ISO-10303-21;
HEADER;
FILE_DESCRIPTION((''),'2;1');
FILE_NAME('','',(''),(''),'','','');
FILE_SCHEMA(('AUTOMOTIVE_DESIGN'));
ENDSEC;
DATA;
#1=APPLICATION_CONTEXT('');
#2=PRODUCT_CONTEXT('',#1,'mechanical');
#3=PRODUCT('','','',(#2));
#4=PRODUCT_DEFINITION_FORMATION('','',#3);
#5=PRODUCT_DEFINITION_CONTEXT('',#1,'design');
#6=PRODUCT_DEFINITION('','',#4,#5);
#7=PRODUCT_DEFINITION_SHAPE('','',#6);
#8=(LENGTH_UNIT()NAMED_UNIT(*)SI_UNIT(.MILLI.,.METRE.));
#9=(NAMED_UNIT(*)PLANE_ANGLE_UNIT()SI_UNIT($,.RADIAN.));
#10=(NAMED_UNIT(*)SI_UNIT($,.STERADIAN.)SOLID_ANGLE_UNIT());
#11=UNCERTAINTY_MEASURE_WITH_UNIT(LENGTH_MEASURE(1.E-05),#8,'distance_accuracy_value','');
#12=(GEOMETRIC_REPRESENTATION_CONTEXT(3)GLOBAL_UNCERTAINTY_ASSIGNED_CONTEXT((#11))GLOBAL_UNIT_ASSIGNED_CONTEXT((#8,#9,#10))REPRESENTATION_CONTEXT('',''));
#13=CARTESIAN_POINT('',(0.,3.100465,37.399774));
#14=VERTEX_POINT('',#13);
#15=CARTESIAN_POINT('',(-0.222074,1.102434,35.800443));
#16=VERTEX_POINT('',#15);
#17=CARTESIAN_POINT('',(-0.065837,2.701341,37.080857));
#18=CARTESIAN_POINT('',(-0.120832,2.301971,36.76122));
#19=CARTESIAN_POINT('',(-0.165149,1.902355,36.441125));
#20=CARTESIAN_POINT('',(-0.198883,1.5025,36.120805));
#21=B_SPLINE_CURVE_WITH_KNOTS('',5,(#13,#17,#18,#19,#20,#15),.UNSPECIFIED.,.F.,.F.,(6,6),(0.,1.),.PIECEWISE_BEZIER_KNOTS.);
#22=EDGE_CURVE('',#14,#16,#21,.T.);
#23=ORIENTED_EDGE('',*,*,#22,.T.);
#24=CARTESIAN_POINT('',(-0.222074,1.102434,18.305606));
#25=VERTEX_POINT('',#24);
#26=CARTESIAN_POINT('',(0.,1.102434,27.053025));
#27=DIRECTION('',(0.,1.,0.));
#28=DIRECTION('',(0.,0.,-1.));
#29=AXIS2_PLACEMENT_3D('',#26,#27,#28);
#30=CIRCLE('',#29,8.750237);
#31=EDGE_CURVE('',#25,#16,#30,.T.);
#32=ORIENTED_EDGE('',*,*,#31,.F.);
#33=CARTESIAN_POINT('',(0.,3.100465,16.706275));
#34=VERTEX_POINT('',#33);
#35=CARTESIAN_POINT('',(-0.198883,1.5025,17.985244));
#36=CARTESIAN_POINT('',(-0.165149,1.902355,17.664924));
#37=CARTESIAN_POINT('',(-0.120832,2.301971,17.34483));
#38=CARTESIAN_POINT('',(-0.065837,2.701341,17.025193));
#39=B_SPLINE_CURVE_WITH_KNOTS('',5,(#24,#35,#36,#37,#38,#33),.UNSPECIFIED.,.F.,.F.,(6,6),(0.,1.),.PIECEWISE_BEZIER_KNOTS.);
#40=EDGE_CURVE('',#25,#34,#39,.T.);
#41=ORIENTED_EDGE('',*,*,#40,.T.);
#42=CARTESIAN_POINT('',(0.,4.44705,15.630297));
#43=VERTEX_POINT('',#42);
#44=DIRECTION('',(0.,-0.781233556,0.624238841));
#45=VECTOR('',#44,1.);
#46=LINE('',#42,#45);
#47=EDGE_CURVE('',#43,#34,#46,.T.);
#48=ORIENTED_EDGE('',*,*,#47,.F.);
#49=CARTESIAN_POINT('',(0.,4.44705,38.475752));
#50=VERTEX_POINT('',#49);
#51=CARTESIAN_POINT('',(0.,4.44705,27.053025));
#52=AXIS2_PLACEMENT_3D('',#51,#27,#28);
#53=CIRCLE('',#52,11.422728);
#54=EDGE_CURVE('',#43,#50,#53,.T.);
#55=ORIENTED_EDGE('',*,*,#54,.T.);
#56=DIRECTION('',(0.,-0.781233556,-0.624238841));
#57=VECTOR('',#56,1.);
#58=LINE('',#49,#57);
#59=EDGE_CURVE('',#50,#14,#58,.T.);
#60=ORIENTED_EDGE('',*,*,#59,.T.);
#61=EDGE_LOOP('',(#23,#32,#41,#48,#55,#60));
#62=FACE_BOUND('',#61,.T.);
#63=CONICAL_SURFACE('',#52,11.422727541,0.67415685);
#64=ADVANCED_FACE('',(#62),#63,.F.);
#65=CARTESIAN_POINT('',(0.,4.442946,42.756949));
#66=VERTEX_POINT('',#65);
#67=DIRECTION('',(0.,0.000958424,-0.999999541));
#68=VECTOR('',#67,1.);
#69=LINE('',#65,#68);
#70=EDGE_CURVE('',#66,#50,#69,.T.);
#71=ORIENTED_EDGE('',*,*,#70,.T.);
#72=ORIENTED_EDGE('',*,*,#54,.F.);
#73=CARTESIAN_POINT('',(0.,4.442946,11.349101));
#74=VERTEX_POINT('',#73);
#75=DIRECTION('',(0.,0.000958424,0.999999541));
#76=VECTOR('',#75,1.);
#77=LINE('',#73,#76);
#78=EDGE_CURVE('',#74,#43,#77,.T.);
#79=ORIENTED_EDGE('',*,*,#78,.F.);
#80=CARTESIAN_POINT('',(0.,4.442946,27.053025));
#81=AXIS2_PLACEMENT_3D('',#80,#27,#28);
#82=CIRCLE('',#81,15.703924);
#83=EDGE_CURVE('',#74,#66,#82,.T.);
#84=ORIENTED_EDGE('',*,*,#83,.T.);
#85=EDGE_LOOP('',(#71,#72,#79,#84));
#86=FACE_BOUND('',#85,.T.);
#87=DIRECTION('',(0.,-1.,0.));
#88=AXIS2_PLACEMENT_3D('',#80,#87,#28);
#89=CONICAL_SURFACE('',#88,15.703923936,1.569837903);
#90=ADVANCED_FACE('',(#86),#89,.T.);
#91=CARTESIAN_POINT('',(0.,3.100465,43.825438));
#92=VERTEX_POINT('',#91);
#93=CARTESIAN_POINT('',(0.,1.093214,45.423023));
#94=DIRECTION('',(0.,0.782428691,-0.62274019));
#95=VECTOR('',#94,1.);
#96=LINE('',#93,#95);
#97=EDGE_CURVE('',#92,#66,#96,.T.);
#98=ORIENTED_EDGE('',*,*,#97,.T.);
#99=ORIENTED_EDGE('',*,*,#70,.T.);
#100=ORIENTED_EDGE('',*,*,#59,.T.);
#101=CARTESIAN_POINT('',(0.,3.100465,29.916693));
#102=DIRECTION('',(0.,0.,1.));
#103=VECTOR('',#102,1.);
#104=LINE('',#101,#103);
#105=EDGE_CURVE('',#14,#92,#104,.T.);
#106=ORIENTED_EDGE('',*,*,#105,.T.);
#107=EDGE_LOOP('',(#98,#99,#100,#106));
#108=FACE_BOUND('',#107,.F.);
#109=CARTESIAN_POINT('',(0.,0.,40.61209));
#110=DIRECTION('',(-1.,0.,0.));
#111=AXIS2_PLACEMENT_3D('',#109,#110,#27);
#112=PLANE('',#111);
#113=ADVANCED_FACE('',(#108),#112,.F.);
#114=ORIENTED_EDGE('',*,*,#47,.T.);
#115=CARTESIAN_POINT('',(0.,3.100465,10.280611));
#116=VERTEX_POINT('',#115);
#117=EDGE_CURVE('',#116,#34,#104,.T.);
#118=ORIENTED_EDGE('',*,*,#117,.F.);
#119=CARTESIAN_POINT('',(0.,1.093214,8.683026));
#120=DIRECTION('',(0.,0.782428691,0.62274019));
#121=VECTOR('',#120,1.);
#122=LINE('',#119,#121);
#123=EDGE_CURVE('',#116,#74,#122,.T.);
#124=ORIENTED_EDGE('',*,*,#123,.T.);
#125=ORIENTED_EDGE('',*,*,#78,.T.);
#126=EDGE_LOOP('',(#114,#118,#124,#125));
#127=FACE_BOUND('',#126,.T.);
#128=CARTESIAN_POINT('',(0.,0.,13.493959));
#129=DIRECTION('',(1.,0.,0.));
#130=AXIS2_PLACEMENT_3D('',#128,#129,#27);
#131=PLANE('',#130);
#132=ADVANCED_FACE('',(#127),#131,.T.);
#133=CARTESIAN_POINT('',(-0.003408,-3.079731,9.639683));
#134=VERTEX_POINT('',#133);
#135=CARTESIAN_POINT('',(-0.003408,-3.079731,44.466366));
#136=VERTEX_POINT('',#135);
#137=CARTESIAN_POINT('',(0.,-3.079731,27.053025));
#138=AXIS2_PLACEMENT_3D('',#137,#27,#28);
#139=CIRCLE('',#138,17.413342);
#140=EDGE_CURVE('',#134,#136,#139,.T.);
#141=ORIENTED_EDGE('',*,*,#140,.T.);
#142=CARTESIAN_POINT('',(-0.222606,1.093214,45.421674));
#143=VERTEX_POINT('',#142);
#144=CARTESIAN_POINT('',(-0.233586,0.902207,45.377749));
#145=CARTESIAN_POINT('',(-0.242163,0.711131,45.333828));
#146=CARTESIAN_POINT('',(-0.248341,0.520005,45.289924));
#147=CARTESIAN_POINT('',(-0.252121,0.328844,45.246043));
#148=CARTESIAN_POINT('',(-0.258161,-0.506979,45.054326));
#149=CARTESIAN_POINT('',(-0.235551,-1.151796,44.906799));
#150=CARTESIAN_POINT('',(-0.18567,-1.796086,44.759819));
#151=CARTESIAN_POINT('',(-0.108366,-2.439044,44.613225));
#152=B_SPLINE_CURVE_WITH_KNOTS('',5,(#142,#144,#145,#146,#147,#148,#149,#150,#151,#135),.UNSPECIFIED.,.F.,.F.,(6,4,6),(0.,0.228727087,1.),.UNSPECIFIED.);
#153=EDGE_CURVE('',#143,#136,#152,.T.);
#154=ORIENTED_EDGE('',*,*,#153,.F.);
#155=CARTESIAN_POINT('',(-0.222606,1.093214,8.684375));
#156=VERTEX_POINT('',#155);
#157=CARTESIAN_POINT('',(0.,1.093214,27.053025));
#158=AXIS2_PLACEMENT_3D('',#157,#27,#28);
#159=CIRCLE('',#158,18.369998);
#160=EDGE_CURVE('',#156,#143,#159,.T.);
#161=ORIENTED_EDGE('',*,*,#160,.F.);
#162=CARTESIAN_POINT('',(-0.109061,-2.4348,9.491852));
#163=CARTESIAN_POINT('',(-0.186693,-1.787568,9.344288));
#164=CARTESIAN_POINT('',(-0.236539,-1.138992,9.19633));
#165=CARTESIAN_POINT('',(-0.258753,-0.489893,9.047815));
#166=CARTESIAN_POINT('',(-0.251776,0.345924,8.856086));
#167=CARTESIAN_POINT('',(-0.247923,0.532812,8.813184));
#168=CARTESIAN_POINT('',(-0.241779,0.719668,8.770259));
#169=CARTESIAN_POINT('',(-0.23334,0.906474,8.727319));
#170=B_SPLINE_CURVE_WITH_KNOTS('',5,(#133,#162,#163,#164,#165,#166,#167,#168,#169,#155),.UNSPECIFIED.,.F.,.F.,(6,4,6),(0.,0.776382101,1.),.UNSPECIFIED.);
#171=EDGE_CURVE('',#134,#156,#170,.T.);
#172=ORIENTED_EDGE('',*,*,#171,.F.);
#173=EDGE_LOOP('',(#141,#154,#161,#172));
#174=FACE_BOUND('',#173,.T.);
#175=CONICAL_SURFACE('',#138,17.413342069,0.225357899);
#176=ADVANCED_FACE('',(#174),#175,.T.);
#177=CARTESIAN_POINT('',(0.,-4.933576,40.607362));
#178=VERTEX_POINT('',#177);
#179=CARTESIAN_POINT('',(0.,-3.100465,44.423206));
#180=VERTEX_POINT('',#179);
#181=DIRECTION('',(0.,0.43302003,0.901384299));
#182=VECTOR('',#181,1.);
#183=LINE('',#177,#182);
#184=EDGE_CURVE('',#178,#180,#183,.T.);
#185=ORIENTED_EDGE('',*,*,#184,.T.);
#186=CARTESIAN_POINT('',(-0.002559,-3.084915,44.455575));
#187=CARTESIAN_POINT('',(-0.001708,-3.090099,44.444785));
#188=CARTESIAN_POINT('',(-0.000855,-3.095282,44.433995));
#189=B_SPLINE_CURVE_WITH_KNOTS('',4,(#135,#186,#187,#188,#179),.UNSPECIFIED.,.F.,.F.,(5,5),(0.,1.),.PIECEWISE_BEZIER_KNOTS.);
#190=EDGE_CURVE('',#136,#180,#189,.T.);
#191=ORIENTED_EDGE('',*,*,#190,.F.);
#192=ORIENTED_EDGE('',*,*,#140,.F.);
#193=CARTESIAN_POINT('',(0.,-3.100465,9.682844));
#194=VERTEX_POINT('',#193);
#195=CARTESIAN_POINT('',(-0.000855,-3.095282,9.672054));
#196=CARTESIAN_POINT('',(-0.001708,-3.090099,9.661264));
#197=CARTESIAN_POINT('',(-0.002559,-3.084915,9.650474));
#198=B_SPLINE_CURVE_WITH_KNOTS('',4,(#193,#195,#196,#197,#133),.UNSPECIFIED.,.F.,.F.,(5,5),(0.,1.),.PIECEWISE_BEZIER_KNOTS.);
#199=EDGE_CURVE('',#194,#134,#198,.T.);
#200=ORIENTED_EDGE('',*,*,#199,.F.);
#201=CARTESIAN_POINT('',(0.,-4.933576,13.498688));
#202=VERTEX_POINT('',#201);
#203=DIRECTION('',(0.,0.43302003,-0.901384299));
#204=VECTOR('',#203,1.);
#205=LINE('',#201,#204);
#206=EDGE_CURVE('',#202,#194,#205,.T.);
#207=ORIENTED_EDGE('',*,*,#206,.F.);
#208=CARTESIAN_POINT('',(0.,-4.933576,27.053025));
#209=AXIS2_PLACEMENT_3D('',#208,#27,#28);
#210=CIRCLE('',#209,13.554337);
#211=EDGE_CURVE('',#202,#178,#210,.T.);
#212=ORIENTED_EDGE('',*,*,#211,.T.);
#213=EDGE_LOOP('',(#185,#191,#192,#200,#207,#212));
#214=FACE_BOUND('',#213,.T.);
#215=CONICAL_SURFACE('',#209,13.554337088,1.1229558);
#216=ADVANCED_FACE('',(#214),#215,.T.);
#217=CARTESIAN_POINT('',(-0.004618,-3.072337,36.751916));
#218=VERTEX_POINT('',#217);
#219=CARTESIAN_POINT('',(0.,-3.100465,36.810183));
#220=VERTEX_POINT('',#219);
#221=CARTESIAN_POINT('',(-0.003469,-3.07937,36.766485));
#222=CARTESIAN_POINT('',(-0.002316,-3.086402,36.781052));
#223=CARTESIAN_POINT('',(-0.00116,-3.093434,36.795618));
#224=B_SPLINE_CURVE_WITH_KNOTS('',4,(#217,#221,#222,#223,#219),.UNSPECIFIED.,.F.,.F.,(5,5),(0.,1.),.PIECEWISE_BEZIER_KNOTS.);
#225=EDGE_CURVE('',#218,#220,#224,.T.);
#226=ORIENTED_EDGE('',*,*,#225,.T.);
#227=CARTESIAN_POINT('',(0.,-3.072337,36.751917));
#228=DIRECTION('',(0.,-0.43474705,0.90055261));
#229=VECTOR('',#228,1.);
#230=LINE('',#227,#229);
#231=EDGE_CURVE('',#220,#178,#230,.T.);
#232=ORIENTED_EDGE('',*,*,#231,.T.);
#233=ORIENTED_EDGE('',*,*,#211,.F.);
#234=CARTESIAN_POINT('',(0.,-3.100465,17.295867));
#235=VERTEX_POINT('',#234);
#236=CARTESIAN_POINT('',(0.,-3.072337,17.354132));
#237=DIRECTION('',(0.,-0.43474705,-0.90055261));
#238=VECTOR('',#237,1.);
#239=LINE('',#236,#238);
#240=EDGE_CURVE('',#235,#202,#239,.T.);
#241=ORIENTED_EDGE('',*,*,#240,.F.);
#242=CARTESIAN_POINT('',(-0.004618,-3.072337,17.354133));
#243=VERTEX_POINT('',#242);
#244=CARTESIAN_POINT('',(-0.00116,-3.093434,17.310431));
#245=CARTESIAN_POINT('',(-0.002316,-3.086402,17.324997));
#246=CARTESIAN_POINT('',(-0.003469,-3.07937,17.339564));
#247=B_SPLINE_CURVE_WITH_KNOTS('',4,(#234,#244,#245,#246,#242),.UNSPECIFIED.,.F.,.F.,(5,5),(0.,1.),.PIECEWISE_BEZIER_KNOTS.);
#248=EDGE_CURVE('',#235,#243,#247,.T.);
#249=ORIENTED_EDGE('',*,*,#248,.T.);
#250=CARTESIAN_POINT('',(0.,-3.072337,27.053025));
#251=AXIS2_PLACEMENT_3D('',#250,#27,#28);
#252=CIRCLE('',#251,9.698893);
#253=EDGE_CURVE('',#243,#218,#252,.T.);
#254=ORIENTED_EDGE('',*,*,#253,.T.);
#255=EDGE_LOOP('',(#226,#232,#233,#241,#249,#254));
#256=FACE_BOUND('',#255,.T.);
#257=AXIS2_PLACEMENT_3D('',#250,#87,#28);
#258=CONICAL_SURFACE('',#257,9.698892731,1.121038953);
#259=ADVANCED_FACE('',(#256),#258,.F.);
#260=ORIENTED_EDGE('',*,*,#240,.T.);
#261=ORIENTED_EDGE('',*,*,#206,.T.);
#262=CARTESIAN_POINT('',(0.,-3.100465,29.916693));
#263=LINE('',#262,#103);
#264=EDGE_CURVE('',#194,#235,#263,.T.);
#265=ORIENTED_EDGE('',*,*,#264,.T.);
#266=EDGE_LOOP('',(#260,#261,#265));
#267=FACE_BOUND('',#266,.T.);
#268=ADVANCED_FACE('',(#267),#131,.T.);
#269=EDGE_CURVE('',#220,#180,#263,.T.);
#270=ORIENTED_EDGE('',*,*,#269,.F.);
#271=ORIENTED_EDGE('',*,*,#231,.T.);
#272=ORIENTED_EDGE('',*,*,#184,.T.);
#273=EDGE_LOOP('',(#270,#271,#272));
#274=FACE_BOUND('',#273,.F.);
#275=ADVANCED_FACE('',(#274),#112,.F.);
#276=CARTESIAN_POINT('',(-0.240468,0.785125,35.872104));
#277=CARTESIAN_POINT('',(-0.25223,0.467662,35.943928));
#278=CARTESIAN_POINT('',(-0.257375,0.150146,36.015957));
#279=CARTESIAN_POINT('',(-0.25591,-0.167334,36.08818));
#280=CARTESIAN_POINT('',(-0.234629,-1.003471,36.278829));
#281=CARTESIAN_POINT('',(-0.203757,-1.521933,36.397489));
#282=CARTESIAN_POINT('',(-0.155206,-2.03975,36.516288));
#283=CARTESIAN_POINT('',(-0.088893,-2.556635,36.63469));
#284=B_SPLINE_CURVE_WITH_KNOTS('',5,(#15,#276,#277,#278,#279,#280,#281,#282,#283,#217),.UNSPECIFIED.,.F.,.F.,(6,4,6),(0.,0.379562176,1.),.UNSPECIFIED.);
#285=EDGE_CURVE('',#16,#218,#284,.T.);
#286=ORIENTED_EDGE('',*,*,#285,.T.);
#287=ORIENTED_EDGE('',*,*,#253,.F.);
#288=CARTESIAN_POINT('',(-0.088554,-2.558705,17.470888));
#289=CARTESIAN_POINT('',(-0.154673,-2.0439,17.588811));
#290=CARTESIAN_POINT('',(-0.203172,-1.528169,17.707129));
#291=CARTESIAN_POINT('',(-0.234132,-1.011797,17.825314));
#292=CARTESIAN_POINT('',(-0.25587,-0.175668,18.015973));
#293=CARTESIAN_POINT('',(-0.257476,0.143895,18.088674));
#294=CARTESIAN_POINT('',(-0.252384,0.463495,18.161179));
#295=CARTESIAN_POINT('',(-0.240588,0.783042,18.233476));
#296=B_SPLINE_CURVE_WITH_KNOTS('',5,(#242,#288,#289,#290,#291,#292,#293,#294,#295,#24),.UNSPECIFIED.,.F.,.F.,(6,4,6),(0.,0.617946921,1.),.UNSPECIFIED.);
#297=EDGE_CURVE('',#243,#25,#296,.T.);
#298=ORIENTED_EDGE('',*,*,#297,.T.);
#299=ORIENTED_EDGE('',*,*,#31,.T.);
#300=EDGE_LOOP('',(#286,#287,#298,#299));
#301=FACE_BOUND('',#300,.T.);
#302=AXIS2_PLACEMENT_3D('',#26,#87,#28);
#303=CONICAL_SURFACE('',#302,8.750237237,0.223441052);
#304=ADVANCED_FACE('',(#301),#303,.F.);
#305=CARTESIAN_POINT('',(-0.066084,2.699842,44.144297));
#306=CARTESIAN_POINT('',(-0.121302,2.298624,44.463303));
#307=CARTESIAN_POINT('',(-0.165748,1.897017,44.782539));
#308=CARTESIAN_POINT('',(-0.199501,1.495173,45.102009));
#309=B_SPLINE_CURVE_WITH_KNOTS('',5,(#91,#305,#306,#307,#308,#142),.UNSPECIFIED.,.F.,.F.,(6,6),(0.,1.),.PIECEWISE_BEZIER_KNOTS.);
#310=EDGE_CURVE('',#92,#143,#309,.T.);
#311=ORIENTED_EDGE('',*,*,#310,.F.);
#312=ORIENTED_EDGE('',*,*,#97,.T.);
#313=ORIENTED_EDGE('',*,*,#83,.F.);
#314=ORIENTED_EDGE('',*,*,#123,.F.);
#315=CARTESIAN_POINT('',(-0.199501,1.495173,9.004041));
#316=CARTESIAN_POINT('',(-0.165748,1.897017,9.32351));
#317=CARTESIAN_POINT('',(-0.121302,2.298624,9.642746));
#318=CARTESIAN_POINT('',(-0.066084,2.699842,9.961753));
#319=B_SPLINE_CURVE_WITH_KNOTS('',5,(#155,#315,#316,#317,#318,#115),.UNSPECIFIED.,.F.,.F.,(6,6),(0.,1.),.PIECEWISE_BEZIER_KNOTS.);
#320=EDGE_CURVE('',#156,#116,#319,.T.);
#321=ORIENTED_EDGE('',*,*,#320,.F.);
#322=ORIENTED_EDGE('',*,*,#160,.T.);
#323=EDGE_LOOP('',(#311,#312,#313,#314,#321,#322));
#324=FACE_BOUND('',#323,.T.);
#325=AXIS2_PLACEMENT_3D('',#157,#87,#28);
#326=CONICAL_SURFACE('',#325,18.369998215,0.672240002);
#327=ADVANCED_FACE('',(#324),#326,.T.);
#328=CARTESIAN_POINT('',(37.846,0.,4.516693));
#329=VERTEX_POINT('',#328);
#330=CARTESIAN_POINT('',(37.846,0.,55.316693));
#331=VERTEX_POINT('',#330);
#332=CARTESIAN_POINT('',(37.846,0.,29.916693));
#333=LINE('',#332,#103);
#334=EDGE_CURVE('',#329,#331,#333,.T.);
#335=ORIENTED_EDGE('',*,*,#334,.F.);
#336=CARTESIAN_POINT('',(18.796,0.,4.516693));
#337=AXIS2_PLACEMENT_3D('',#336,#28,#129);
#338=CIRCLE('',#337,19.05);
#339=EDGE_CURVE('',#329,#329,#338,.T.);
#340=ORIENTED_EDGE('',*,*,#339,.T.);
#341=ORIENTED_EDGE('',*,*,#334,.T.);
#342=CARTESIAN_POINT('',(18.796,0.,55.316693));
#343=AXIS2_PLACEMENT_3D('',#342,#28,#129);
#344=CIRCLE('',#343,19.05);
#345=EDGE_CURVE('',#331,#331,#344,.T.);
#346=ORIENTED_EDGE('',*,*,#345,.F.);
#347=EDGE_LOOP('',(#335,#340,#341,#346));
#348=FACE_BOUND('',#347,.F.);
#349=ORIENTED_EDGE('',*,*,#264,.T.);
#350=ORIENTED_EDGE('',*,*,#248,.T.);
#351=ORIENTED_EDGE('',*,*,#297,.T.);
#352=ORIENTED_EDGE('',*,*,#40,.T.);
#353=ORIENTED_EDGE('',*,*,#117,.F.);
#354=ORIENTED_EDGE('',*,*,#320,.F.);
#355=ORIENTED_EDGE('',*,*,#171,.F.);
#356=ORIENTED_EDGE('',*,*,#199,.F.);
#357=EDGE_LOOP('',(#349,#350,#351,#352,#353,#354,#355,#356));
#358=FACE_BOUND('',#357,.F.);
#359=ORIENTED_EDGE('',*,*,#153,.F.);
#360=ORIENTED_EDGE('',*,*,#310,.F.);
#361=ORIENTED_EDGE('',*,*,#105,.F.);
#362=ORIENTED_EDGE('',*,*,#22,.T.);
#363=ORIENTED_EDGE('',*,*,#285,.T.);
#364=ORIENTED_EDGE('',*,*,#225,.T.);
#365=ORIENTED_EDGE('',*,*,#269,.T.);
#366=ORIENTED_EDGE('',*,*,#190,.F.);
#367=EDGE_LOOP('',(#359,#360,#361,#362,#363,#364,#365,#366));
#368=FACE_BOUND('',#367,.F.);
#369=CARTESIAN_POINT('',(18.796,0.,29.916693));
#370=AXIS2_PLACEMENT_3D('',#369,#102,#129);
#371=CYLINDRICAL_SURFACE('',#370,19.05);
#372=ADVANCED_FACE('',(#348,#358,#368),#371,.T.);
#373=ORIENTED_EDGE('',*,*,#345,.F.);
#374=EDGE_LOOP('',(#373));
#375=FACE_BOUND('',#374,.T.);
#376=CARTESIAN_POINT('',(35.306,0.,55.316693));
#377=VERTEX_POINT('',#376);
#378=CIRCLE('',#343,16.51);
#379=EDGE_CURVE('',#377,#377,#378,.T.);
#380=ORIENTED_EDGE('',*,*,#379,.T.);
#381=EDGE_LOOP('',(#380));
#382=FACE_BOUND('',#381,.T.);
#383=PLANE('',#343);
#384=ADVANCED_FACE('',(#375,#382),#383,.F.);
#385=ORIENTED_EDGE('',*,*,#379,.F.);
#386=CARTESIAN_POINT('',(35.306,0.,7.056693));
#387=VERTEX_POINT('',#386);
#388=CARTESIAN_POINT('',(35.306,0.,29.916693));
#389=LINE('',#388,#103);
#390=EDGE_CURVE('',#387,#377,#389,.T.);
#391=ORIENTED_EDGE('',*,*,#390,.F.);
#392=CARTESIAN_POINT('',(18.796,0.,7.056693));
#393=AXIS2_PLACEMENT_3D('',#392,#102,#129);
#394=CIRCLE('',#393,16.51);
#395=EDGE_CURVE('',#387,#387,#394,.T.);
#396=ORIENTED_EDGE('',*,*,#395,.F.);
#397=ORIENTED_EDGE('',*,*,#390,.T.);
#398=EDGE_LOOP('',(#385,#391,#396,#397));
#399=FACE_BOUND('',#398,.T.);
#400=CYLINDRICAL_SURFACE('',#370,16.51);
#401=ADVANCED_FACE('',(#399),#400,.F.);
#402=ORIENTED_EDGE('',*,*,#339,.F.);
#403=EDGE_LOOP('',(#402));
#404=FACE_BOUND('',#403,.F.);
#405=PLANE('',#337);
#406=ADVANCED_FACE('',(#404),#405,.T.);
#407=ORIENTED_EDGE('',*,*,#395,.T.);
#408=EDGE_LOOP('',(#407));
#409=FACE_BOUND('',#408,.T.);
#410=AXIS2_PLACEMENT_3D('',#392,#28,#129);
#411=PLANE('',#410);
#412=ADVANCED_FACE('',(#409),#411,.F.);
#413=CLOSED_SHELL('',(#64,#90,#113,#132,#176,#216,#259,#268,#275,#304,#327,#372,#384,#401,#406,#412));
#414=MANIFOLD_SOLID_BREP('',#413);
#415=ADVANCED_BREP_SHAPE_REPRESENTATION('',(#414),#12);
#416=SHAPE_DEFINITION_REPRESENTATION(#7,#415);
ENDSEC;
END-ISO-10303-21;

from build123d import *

# Parameters (mm, degrees)
F0_W     = 19.05
F0_H     = 50.8
F2_T     = -2.54
F4_ANGLE = 180


with BuildPart() as f1:
    # F0 (on Front) → F1 (revolve)
    with BuildSketch(Plane.XZ):
        with Locations((28.321, 29.9166932978)):
            Rectangle(F0_W, F0_H)
    revolve(axis=Axis((18.796, 0, 29.9166932978), (0, 0, -1)))

    # F2
    f2_openings = [f1.faces().sort_by_distance(p)[0] for p in [
        (18.796, 0, 55.316693),
    ]]
    offset(amount=F2_T, openings=f2_openings)

    # F3 (on Right) → F4 (revolve)
    with BuildSketch(Plane.YZ):
        Polygon((-4.9335755283, 13.4986876266), (-3.0797308855, 9.639682645), (1.0932139292, 8.683026499), (4.4429463577, 11.3491007788), (4.4470495593, 15.6302971737), (1.1024337395, 18.3027874778), (-3.0723371717, 17.3541319833), align=None)
    revolve(axis=Axis((0, -0.516686556, 27.0530247144), (0, 1, 0)), revolution_arc=F4_ANGLE)


solid = f1.part
